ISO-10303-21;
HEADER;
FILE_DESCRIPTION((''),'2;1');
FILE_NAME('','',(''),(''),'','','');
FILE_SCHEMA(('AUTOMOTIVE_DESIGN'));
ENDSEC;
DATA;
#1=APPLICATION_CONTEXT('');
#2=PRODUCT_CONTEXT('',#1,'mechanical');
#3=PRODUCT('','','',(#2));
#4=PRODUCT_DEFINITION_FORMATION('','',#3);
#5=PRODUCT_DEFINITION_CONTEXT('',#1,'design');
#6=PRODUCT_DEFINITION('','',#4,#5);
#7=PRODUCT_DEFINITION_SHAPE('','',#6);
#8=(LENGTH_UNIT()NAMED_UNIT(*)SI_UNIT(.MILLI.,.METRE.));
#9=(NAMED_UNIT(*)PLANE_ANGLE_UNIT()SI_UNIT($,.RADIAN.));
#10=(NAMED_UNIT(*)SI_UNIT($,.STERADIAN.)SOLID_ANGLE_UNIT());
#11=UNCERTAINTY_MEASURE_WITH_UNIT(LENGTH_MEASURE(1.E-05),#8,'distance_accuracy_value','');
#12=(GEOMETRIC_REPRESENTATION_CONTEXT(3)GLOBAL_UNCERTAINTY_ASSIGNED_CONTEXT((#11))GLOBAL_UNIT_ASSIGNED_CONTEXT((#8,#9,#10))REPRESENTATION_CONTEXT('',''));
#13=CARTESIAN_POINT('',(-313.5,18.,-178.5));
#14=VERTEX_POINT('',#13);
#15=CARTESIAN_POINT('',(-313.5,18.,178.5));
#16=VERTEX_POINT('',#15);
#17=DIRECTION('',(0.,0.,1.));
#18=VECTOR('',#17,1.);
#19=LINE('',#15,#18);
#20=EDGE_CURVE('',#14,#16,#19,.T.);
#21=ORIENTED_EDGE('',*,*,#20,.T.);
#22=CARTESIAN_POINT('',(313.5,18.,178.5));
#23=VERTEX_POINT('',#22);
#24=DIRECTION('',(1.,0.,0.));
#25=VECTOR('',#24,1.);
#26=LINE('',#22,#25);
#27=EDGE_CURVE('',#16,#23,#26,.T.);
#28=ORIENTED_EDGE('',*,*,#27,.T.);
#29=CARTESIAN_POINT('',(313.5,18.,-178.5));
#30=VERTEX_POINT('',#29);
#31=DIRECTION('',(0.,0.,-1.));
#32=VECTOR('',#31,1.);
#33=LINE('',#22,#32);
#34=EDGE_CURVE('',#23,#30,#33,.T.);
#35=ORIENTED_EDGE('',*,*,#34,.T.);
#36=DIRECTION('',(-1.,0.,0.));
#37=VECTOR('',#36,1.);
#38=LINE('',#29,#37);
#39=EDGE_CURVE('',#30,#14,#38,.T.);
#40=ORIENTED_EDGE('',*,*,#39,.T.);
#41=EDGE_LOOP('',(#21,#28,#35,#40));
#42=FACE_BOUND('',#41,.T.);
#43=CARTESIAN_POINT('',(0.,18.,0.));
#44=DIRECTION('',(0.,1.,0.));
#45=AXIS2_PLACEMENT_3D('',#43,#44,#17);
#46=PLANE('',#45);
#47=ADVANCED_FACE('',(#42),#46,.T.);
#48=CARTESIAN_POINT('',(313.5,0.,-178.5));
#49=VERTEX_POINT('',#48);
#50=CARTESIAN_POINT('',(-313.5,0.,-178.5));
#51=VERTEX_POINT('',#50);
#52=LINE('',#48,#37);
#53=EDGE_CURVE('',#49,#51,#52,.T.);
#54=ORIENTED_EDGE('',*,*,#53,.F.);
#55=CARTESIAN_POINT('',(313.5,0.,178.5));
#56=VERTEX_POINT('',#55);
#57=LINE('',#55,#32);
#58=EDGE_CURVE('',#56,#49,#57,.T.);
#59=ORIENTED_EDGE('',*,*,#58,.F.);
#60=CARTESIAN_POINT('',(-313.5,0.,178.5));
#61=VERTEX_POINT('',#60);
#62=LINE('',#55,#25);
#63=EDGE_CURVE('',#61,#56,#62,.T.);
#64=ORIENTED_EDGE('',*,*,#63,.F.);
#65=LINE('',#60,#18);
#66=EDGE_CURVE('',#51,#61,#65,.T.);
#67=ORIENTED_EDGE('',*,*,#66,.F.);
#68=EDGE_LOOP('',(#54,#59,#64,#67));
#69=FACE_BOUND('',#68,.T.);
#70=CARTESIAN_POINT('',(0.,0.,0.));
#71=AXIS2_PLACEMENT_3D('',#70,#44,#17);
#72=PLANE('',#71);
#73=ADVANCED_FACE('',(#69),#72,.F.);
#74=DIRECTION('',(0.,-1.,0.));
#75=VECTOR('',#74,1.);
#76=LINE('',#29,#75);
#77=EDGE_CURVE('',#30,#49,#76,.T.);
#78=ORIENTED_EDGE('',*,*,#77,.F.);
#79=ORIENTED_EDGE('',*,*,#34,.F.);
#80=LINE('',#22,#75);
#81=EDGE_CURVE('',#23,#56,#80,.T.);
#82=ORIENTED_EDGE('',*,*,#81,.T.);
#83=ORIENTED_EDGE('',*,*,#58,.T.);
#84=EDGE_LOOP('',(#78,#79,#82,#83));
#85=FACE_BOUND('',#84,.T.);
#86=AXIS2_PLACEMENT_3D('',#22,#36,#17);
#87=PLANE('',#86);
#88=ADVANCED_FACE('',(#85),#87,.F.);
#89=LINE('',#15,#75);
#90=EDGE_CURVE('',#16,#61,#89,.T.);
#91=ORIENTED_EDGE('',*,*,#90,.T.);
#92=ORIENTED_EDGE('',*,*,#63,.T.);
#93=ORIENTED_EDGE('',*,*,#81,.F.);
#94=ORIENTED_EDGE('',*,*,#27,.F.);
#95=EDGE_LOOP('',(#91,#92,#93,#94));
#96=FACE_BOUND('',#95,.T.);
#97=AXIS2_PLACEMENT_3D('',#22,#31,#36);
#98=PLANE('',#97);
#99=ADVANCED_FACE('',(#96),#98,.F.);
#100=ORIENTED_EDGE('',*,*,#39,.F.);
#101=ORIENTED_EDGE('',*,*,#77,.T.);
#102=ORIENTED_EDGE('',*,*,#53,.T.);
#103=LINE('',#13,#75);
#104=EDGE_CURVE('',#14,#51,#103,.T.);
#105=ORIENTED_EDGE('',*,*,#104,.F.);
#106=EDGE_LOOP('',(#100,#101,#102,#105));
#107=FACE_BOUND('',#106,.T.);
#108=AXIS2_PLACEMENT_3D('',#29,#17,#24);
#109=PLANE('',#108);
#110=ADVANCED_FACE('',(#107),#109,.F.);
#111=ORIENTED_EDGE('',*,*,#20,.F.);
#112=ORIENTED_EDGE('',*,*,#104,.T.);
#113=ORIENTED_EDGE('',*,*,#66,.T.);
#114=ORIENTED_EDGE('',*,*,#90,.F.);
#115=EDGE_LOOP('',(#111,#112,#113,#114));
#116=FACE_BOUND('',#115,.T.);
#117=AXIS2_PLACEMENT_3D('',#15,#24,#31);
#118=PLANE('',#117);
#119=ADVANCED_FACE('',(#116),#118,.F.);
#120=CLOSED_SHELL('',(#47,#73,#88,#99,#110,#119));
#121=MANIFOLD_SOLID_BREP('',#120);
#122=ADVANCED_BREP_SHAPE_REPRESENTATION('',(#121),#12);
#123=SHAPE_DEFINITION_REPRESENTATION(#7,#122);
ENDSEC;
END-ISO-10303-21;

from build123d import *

# Parameters (mm, degrees)
SKETCH_1_W      = 627
SKETCH_1_H      = 357
EXTRUDE_1_DEPTH = 18


with BuildPart() as part:
    # Эскиз1 → Бобышка-Вытянуть1 (new body)
    with BuildSketch(Plane(origin=(0, 0, 0), x_dir=(1, 0, 0), z_dir=(0, 1, 0))):
        Rectangle(SKETCH_1_W, SKETCH_1_H)
    extrude(amount=EXTRUDE_1_DEPTH)


solid = part.part
